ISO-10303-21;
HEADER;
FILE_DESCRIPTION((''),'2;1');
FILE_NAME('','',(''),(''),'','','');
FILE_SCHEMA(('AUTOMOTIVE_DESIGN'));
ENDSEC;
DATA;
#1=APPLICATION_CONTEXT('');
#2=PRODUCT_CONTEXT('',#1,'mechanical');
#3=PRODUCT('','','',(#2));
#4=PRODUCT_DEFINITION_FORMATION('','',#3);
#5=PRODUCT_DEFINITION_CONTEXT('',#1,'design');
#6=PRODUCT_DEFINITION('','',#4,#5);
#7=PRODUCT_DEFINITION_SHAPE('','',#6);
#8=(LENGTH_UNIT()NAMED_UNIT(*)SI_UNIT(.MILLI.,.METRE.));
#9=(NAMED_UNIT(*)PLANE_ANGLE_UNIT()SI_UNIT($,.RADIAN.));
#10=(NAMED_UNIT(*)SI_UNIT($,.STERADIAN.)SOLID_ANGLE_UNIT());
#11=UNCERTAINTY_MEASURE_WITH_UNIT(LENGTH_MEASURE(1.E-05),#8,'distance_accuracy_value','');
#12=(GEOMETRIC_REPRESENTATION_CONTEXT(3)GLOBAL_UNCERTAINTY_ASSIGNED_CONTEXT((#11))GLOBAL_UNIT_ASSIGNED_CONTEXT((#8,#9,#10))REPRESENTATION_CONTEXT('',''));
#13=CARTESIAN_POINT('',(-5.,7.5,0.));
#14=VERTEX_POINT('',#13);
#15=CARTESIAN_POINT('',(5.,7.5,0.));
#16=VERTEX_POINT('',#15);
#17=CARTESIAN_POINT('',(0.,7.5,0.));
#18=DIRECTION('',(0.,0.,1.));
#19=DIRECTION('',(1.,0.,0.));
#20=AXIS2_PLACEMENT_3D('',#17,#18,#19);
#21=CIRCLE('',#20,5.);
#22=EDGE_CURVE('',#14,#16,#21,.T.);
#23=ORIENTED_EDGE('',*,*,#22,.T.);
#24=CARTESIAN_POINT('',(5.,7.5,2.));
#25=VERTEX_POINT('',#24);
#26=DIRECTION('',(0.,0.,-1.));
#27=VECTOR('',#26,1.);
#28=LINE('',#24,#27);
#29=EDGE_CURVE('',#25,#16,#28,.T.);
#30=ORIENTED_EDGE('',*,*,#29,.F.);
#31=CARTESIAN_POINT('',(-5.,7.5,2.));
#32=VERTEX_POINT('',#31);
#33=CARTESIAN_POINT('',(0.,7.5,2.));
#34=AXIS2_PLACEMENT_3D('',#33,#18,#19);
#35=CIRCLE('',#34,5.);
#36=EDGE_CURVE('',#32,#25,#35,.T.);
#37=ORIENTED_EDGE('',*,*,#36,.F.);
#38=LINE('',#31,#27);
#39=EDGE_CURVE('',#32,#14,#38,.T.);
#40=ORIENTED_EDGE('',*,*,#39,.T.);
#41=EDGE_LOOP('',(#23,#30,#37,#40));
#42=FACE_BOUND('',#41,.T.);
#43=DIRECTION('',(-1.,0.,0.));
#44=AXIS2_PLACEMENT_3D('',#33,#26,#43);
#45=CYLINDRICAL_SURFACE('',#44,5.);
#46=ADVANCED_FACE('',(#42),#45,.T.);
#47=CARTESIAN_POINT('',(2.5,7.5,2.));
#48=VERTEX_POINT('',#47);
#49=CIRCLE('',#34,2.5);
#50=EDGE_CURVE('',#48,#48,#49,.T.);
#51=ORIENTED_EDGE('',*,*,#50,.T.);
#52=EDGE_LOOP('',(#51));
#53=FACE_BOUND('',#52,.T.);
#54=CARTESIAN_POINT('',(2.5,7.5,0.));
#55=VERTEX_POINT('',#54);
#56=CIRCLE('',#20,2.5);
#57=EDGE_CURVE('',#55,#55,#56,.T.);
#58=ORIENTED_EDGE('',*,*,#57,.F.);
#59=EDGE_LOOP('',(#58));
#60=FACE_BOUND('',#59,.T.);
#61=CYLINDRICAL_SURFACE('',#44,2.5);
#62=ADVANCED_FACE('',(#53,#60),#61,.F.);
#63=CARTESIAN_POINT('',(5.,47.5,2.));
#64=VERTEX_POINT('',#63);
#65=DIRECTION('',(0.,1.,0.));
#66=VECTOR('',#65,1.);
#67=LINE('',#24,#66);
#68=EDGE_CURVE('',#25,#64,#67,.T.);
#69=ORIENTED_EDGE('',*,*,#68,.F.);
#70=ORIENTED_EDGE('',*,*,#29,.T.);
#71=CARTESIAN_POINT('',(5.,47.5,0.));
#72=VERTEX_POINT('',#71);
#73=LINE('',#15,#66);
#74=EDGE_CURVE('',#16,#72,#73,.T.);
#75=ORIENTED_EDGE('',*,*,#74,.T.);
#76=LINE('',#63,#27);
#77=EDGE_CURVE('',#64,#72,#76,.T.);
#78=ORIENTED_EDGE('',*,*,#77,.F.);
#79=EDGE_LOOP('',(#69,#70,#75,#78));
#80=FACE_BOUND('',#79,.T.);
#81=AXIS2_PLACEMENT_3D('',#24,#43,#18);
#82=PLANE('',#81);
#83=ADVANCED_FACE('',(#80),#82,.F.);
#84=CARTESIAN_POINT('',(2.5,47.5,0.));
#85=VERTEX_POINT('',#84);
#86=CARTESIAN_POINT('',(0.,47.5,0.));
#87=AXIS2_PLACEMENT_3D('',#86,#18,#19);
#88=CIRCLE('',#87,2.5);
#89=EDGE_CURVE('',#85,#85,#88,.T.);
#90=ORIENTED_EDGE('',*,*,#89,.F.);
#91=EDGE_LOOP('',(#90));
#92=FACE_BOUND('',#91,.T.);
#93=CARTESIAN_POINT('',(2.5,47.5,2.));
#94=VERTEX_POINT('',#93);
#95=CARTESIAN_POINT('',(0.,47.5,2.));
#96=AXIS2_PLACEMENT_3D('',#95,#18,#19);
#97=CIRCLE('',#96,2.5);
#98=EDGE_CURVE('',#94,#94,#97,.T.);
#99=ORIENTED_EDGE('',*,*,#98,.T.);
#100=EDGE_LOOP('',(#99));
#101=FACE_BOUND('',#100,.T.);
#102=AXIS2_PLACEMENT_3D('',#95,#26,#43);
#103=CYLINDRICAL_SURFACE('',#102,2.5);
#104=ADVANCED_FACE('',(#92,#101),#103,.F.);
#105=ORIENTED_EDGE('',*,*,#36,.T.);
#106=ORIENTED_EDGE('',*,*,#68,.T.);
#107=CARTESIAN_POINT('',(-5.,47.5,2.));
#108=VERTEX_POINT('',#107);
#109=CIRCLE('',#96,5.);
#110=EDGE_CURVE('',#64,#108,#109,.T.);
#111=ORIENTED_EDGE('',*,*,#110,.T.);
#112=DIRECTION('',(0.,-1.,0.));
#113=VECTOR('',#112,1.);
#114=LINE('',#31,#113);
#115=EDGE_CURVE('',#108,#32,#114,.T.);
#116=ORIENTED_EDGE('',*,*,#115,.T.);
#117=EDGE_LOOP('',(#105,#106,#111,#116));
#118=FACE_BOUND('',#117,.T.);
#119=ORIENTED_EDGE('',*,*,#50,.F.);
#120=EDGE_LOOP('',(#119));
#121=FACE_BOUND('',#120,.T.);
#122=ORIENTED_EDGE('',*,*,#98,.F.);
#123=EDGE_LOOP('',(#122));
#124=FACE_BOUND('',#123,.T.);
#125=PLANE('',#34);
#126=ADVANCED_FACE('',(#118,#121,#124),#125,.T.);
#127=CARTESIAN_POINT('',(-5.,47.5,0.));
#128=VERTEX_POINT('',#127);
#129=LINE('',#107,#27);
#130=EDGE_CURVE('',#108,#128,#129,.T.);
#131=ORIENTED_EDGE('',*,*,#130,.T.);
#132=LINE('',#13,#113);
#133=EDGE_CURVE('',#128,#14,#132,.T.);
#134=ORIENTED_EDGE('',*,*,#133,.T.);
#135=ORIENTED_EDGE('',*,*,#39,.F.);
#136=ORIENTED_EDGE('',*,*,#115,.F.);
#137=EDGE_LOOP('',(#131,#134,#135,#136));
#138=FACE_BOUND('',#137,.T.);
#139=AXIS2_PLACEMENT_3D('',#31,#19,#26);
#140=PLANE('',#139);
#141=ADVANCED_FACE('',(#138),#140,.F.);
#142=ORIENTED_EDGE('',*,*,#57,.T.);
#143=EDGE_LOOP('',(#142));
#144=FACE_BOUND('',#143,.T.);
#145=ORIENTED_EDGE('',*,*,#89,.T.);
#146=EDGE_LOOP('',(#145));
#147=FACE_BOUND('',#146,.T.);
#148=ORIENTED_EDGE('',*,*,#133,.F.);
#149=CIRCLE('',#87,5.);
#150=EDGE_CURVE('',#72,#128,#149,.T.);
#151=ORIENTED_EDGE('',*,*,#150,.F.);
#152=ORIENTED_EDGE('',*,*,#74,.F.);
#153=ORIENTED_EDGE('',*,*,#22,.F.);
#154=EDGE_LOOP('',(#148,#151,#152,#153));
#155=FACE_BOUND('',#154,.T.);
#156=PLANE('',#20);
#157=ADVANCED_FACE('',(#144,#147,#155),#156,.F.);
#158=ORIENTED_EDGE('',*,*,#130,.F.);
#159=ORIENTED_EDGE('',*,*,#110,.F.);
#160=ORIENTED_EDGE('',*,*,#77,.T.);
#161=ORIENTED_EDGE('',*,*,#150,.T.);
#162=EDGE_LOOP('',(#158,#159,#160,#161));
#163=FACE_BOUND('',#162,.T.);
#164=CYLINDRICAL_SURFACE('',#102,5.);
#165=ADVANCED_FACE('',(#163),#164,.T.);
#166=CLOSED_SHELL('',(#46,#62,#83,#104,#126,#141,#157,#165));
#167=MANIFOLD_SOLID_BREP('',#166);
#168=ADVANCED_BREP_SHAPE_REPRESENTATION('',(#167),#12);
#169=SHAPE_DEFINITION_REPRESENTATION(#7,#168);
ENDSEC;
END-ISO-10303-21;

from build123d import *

# Parameters (mm, degrees)
SKETCH_2_R      = 2.5
EXTRUDE_1_DEPTH = 2


with BuildPart() as part:
    # 草图2 → 凸台-拉伸1 (new body)
    with BuildSketch(Plane.XY):
        with BuildLine():
            Line((-5, 7.5), (-5, 47.5))
            ThreePointArc((-5, 47.5), (0, 52.5), (5, 47.5))
            Line((5, 47.5), (5, 7.5))
            ThreePointArc((5, 7.5), (0, 2.5), (-5, 7.5))
        make_face()
        with Locations((0, 7.5)):
            Circle(SKETCH_2_R, mode=Mode.SUBTRACT)
        with Locations((0, 47.5)):
            Circle(SKETCH_2_R, mode=Mode.SUBTRACT)
    extrude(amount=EXTRUDE_1_DEPTH)


solid = part.part
